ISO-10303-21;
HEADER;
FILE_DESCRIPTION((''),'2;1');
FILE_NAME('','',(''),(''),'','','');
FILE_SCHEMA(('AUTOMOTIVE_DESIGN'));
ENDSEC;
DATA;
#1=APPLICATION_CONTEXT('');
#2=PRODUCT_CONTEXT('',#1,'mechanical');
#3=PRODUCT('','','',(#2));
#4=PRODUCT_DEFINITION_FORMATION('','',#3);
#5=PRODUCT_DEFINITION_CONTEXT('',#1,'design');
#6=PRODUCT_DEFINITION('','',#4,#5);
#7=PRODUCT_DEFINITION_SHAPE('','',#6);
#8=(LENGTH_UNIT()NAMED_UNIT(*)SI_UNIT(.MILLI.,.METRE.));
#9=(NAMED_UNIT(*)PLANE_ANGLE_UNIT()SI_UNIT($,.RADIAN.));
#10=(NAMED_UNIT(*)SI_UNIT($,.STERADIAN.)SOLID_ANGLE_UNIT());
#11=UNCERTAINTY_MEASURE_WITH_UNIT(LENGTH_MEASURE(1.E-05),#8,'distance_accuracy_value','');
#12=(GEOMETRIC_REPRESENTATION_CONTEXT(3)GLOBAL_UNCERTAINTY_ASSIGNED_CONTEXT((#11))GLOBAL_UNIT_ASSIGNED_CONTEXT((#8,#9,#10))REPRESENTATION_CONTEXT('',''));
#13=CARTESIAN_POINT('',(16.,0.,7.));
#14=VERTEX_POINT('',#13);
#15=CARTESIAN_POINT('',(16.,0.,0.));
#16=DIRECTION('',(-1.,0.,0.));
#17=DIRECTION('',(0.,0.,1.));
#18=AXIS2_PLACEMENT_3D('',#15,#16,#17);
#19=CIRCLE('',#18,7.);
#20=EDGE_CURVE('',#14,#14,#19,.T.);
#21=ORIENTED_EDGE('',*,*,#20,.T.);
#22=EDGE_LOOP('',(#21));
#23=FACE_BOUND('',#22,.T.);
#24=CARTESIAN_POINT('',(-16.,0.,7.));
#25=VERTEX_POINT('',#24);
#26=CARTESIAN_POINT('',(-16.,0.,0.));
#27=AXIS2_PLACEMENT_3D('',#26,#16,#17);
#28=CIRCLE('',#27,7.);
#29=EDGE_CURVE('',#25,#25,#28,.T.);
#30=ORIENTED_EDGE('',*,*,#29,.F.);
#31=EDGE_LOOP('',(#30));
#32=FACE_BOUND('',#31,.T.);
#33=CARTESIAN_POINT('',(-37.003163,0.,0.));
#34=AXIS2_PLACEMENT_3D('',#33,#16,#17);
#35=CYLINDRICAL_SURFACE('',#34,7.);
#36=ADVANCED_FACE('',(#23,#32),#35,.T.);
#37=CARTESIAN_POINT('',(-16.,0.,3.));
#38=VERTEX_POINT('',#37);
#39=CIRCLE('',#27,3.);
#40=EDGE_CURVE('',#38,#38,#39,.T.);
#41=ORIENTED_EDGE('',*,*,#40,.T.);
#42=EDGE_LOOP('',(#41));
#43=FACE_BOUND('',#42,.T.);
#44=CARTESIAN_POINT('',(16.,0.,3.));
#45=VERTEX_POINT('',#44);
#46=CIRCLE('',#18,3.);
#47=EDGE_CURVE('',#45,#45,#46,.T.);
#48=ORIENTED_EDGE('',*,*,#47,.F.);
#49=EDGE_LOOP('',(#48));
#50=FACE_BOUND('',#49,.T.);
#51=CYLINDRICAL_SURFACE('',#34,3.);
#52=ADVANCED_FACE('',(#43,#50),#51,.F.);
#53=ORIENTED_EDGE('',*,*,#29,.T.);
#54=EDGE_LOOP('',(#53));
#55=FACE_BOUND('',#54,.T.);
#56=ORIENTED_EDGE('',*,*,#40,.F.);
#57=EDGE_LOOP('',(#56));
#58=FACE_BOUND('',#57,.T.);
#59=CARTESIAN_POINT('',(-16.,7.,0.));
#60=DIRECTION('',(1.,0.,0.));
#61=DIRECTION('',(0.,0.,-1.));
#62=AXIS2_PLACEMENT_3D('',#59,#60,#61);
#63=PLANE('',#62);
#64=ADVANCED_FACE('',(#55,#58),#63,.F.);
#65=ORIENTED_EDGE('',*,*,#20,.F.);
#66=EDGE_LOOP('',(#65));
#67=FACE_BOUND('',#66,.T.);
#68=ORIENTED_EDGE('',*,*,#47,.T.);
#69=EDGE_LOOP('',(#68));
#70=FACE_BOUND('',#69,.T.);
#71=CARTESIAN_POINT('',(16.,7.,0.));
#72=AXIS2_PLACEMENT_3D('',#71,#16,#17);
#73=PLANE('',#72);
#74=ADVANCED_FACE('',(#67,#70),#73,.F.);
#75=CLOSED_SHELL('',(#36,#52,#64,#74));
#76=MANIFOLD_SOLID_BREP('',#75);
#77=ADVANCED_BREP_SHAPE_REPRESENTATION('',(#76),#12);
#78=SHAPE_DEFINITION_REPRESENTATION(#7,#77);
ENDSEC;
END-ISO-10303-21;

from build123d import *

# Parameters (mm, degrees)
SKETCH1_W = 32
SKETCH1_H = 4


with BuildPart() as part:
    # Sketch1 → Revolve1 (revolve)
    with BuildSketch(Plane.XY):
        with Locations((0, 5)):
            Rectangle(SKETCH1_W, SKETCH1_H)
    revolve(axis=Axis((-37.003163219, 0, 0), (1, 0, 0)))


solid = part.part
